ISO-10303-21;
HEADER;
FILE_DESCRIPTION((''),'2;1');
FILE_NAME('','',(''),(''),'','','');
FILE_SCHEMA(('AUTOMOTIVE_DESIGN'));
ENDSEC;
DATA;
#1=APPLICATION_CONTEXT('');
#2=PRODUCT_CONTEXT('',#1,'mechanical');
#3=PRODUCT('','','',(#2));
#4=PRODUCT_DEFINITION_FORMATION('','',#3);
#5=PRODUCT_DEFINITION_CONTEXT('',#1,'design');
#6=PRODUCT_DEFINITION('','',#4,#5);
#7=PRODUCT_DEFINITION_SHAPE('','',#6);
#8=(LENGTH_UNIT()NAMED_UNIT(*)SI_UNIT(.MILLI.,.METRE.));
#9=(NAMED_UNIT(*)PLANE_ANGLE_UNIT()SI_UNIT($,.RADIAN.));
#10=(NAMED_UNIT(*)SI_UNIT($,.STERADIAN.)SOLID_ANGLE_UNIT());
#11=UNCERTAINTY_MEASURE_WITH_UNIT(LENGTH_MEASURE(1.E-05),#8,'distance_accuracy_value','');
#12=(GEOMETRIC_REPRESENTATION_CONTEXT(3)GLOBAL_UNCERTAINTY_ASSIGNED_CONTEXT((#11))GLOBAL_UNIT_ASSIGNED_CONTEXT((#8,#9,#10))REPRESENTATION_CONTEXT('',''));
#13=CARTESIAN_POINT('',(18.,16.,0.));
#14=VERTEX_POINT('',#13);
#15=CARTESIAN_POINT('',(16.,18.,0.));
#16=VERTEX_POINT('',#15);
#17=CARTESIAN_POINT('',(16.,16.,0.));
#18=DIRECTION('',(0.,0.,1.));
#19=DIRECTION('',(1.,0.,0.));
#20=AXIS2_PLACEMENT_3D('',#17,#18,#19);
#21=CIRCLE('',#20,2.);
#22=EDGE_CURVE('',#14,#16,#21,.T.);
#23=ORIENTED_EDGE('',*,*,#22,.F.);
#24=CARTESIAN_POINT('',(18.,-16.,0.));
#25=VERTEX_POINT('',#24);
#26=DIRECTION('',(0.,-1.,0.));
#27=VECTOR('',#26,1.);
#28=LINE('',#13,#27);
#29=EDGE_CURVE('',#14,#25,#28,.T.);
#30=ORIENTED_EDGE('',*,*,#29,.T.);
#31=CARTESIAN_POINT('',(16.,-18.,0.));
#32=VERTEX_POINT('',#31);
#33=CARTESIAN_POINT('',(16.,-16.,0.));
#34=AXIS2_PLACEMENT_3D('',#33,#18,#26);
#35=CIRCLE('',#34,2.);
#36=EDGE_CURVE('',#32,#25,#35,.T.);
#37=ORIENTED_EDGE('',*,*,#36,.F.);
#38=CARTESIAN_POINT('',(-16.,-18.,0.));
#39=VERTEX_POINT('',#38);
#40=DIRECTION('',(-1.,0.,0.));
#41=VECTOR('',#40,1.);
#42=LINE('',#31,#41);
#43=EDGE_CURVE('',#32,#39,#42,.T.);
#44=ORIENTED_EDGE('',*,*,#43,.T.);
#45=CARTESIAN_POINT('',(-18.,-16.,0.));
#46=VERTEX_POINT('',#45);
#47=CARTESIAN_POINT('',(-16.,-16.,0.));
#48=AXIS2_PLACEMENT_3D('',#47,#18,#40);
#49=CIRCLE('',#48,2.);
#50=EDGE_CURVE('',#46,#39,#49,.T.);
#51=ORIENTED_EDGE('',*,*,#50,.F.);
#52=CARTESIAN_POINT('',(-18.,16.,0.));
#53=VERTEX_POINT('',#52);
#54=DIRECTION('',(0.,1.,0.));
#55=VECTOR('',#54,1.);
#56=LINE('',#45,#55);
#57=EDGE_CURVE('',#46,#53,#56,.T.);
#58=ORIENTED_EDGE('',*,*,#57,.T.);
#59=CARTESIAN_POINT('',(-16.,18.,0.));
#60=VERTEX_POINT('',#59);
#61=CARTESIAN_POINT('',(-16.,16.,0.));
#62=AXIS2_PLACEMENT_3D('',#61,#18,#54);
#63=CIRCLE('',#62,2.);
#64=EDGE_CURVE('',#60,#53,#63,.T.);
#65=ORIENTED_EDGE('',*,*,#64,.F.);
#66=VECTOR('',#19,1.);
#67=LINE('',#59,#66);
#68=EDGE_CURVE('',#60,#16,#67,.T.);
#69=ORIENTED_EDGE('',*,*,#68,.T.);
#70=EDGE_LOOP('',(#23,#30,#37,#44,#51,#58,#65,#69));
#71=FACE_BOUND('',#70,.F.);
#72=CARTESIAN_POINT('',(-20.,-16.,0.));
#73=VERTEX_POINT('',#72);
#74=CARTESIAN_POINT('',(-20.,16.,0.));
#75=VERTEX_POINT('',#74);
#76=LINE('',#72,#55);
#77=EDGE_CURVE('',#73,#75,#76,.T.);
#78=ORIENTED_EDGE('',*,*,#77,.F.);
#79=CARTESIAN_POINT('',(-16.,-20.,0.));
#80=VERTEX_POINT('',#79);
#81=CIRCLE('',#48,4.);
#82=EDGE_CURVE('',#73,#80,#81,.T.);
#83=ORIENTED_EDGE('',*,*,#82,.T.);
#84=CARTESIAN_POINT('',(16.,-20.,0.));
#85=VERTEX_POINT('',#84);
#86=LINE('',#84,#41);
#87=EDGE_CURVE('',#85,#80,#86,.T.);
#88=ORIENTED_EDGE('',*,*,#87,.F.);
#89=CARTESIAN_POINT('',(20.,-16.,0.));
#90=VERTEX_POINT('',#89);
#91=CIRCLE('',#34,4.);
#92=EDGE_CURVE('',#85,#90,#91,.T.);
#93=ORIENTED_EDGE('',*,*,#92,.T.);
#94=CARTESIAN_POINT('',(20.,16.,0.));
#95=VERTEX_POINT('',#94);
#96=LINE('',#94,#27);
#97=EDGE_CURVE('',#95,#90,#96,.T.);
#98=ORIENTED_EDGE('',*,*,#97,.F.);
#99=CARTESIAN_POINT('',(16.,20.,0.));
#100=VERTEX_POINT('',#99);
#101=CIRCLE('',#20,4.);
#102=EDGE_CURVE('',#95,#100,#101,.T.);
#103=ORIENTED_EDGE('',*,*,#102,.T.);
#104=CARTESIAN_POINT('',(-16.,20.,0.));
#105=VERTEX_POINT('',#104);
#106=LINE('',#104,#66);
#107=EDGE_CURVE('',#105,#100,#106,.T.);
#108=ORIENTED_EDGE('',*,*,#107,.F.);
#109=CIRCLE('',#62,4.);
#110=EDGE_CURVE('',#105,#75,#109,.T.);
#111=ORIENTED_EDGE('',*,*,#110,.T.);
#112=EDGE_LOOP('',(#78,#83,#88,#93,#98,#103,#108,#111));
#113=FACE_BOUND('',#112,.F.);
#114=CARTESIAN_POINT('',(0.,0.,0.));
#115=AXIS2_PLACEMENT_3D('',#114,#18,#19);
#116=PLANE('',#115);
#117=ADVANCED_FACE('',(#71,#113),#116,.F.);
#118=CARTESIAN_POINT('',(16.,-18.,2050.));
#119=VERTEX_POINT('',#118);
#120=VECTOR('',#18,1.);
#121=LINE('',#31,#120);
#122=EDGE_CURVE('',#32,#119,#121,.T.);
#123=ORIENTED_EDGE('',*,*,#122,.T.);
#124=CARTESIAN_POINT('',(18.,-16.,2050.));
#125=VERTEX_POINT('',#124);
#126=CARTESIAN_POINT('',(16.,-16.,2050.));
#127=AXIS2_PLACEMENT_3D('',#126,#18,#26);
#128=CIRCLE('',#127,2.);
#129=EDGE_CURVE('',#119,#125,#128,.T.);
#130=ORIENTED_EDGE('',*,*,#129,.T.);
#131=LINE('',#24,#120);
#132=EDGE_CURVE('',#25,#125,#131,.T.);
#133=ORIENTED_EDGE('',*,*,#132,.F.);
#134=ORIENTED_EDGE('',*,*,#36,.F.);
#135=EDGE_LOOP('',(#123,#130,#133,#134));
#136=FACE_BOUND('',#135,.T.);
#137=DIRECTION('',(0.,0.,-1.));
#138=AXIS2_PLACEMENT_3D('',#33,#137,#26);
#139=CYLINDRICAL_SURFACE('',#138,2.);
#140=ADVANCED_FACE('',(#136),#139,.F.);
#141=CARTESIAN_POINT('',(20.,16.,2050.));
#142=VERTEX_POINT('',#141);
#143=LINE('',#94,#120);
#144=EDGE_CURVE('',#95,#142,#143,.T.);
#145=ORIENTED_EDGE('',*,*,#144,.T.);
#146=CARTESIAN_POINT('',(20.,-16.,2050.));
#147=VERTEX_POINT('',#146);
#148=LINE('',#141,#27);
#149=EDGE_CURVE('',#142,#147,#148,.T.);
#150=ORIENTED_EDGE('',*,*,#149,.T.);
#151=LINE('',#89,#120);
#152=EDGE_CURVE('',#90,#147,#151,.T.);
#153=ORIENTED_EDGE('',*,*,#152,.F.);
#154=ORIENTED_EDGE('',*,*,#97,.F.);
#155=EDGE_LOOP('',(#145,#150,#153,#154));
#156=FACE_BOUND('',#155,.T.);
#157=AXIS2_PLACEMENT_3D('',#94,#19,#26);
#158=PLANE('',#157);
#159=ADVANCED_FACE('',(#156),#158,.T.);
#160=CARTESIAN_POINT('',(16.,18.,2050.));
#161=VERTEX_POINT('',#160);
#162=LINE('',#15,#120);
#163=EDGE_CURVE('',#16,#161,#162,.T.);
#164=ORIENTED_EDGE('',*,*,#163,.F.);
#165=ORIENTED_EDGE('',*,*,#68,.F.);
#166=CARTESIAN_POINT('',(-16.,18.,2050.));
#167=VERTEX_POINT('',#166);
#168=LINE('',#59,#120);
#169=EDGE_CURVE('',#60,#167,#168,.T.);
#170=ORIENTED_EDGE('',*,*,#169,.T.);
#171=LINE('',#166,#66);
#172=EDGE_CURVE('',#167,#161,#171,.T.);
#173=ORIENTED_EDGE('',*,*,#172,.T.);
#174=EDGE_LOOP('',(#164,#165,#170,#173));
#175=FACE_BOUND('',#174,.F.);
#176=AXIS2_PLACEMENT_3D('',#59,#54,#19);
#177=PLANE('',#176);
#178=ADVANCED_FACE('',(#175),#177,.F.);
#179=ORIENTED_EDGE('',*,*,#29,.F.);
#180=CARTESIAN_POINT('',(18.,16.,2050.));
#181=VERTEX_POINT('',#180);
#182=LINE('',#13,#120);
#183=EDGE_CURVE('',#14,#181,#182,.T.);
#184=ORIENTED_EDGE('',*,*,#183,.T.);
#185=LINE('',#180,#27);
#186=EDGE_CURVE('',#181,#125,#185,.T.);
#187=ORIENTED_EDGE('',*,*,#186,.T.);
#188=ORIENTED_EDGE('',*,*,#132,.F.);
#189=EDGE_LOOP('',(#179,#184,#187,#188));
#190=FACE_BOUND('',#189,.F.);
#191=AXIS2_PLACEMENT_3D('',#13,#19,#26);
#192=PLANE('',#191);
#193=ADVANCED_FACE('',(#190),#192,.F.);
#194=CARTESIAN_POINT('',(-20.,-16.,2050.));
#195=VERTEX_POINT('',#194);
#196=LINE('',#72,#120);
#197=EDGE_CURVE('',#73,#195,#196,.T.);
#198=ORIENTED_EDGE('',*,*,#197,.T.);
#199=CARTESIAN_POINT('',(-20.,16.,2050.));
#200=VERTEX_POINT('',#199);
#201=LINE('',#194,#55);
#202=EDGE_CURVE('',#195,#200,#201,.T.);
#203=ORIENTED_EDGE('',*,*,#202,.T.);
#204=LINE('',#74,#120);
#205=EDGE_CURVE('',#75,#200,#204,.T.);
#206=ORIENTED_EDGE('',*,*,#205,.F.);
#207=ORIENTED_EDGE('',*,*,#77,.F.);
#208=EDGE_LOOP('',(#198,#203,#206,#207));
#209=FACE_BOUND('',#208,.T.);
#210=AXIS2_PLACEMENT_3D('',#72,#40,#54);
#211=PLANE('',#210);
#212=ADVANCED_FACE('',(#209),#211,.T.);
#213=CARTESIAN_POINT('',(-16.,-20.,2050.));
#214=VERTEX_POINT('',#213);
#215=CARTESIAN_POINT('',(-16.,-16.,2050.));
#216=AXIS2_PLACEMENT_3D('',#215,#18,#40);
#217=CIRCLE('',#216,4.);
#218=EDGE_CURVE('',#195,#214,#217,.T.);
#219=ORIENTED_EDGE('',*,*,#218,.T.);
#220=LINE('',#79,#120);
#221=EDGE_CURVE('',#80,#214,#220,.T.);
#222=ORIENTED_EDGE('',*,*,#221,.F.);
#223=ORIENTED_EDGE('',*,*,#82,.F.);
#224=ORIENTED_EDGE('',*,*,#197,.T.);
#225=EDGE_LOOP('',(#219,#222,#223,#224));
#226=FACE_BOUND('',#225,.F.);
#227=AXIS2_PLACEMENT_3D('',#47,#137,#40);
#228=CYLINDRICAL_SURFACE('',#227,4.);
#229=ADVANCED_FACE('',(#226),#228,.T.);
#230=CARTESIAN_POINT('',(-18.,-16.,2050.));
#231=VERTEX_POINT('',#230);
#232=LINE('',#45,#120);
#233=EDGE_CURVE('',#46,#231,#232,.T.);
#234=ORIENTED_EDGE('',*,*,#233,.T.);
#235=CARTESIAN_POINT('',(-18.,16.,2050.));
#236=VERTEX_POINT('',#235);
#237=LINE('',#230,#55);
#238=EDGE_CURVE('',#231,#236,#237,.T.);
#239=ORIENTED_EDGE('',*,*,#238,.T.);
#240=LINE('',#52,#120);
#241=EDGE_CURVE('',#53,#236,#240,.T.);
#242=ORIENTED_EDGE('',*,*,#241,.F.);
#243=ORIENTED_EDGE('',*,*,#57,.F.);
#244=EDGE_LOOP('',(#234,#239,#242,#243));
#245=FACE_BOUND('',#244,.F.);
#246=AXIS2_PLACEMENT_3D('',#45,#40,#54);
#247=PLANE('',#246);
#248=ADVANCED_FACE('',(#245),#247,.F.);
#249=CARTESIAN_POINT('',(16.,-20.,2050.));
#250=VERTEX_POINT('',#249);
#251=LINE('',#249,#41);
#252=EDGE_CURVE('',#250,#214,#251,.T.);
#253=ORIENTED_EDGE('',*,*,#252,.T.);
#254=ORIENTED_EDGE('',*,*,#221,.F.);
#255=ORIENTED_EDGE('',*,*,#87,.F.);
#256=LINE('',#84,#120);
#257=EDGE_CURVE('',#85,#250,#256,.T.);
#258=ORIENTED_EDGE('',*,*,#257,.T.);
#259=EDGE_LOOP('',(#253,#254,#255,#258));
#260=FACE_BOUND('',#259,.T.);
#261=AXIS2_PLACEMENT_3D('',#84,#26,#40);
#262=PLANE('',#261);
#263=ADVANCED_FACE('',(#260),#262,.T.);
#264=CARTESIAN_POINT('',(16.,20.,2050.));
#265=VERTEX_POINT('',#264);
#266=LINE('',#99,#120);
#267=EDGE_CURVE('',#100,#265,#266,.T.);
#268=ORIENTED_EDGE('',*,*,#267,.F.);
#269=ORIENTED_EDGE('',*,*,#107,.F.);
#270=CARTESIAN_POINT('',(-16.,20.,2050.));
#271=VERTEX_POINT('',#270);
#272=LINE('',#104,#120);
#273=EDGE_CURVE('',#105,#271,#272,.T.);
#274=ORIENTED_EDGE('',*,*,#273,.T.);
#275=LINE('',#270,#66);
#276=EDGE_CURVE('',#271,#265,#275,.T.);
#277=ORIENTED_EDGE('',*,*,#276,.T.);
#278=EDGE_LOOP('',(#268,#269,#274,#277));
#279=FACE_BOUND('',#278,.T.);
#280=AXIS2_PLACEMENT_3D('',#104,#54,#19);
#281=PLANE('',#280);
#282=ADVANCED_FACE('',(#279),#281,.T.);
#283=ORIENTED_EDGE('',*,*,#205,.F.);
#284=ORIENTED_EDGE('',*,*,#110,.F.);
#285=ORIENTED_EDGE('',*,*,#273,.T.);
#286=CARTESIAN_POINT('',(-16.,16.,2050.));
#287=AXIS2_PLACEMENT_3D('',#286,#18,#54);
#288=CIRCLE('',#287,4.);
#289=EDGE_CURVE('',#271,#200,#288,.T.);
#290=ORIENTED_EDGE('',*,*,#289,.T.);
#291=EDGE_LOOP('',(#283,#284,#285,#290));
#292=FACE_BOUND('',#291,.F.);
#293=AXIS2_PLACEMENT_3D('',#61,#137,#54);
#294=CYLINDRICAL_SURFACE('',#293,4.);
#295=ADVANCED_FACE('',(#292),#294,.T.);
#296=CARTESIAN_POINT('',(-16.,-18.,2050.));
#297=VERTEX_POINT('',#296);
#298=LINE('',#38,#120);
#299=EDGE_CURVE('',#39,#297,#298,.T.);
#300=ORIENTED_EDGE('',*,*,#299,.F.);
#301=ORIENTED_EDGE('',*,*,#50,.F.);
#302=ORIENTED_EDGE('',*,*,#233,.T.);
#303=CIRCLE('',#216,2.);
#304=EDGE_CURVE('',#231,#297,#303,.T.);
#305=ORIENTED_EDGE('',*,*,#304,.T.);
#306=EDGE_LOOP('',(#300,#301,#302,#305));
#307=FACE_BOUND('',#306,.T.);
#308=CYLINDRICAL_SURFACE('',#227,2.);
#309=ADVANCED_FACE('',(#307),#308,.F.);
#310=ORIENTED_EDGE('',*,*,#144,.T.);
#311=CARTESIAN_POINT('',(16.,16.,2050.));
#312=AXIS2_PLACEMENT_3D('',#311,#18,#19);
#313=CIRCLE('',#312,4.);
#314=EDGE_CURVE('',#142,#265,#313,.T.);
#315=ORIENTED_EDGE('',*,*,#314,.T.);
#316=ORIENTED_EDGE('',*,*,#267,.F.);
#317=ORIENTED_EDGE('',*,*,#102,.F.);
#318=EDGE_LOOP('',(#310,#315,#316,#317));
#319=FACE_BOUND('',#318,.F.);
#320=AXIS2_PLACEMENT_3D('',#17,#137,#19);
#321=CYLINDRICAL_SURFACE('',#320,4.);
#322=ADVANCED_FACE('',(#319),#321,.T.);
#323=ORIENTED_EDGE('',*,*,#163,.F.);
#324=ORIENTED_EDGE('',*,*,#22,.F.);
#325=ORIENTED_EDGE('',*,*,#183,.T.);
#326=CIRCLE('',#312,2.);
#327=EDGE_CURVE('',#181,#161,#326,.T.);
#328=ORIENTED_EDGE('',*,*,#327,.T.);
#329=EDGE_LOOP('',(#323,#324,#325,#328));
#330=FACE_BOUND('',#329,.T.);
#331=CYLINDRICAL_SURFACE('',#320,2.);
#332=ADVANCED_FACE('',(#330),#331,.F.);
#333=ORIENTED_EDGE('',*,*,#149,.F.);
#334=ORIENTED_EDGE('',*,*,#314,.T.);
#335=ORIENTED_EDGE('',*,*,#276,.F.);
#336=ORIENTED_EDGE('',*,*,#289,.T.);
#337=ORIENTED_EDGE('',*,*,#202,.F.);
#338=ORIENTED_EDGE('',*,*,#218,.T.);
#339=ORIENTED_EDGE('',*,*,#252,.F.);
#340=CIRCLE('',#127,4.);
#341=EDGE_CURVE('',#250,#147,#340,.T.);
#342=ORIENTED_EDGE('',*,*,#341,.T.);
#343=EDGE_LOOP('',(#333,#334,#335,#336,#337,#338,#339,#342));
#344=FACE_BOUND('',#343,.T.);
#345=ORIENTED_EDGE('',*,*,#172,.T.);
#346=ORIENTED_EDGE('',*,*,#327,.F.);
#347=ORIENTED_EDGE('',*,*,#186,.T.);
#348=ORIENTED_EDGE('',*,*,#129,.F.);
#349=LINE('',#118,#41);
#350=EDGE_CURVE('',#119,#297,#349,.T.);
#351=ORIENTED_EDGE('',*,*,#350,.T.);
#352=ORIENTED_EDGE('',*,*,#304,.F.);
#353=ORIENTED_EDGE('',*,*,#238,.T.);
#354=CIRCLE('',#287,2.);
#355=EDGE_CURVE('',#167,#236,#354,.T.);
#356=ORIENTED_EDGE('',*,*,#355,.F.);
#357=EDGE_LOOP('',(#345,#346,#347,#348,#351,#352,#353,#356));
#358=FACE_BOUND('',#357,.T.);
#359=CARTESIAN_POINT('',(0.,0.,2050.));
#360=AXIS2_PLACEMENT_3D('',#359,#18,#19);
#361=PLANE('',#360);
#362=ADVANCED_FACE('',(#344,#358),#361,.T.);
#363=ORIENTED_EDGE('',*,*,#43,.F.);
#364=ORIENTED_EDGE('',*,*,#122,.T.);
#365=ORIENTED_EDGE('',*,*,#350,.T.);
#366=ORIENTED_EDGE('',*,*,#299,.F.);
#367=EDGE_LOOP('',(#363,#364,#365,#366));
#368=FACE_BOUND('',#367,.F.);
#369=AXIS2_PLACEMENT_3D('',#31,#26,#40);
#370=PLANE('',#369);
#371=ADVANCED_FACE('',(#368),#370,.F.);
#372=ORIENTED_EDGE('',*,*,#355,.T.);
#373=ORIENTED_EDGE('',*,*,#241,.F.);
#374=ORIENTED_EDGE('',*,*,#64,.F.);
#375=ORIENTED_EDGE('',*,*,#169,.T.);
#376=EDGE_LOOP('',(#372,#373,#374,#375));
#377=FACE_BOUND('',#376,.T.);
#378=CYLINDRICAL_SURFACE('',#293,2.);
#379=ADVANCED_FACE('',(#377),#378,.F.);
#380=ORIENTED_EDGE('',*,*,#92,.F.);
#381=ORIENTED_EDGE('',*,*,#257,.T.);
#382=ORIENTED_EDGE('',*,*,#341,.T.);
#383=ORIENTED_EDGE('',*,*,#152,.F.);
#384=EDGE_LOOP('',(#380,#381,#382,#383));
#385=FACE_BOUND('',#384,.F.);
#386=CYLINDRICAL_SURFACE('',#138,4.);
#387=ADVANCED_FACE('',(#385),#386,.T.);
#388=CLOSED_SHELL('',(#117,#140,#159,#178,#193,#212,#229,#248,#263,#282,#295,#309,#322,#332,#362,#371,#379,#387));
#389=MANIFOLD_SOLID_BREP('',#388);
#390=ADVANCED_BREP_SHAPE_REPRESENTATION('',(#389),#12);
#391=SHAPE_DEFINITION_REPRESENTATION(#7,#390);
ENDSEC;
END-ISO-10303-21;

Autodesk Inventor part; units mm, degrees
ref_plane "YZ Plane" through (0, 0, 0) normal (1, 0, 0) x (0, 1, 0)
ref_plane "Start Plane" through (0, 0, 0) normal (0, 0, 1) x (1, 0, 0)
ref_plane "End Plane" through (0, 0, 2050) normal (0, 0, 1) x (1, 0, 0)
sketch "Sketch" plane through (0, 0, 0) normal (0, 0, 1) x (1, 0, 0)
  line L0 (-20, -16) -> (-20, 16)
  line L1 (-16, 20) -> (16, 20)
  line L2 (20, 16) -> (20, -16)
  line L3 (16, -20) -> (-16, -20)
  arc A0 (-20, -16) -> (-16, -20) centre (-16, -16) ccw
  arc A1 (20, 16) -> (16, 20) centre (16, 16) ccw
  arc A2 (-16, 20) -> (-20, 16) centre (-16, 16) ccw
  arc A3 (16, -20) -> (20, -16) centre (16, -16) ccw
  arc A4 (-16, 18) -> (-18, 16) centre (-16, 16) ccw
  line L4 (-16, 18) -> (16, 18)
  arc A5 (18, 16) -> (16, 18) centre (16, 16) ccw
  line L5 (18, 16) -> (18, -16)
  arc A6 (16, -18) -> (18, -16) centre (16, -16) ccw
  line L6 (16, -18) -> (-16, -18)
  arc A7 (-18, -16) -> (-16, -18) centre (-16, -16) ccw
  line L7 (-18, -16) -> (-18, 16)
  line L8 (0, 29.1598) -> (0, -29.1598) construction
  line L9 (-29.1598, 0) -> (29.1598, 0) construction
  dimension "d7" = 4
  dimension "d9" = 40
  dimension "d11" = 40
  dimension "d12" = 2
  dimension "d15" = 20
  dimension "d16" = 20
extrude "Body" add sketch "Sketch" along normal up to surface (2050 mm away) from surface at 0
sketch "Sketch3" plane through (0, 0, 0) normal (0, 0, 1) x (1, 0, 0)
  line L0 (0, 0) -> (10, 0)
ref_plane "Work Plane3" through (0, 0, 0) normal (0, -1, 0) x (1, 0, 0)
sketch "Sketch4" plane through (0, 0, 0) normal (0, -1, 0) x (1, 0, 0)
  line L0 (-2, 0) -> (12, 0) projected
  line L1 (-2, 2050) -> (12, 2050) projected
  dimension "d18" = 2050
equation "\"d7\" = G_IR"
equation "\"d9\" = G_W"
equation "\"d11\" = G_H"
equation "\"d12\" = G_T"
equation "\"d15\" = 0.5 * d9"
equation "\"d16\" = 0.5 * d11"
equation "\"d3\" = G_L"
equation "\"G_W\" = 40"
equation "\"G_H\" = 40"
equation "\"G_T\" = 2"
equation "\"G_IR\" = 4"
equation "\"G_L\" = d18"
equation "\"G_OFFSET_START\" = 0"
equation "\"G_OFFSET_END\" = 0"
properties part number "ISO 10799-2 - 40x40x2 - 2050" material "Stainless Steel"
